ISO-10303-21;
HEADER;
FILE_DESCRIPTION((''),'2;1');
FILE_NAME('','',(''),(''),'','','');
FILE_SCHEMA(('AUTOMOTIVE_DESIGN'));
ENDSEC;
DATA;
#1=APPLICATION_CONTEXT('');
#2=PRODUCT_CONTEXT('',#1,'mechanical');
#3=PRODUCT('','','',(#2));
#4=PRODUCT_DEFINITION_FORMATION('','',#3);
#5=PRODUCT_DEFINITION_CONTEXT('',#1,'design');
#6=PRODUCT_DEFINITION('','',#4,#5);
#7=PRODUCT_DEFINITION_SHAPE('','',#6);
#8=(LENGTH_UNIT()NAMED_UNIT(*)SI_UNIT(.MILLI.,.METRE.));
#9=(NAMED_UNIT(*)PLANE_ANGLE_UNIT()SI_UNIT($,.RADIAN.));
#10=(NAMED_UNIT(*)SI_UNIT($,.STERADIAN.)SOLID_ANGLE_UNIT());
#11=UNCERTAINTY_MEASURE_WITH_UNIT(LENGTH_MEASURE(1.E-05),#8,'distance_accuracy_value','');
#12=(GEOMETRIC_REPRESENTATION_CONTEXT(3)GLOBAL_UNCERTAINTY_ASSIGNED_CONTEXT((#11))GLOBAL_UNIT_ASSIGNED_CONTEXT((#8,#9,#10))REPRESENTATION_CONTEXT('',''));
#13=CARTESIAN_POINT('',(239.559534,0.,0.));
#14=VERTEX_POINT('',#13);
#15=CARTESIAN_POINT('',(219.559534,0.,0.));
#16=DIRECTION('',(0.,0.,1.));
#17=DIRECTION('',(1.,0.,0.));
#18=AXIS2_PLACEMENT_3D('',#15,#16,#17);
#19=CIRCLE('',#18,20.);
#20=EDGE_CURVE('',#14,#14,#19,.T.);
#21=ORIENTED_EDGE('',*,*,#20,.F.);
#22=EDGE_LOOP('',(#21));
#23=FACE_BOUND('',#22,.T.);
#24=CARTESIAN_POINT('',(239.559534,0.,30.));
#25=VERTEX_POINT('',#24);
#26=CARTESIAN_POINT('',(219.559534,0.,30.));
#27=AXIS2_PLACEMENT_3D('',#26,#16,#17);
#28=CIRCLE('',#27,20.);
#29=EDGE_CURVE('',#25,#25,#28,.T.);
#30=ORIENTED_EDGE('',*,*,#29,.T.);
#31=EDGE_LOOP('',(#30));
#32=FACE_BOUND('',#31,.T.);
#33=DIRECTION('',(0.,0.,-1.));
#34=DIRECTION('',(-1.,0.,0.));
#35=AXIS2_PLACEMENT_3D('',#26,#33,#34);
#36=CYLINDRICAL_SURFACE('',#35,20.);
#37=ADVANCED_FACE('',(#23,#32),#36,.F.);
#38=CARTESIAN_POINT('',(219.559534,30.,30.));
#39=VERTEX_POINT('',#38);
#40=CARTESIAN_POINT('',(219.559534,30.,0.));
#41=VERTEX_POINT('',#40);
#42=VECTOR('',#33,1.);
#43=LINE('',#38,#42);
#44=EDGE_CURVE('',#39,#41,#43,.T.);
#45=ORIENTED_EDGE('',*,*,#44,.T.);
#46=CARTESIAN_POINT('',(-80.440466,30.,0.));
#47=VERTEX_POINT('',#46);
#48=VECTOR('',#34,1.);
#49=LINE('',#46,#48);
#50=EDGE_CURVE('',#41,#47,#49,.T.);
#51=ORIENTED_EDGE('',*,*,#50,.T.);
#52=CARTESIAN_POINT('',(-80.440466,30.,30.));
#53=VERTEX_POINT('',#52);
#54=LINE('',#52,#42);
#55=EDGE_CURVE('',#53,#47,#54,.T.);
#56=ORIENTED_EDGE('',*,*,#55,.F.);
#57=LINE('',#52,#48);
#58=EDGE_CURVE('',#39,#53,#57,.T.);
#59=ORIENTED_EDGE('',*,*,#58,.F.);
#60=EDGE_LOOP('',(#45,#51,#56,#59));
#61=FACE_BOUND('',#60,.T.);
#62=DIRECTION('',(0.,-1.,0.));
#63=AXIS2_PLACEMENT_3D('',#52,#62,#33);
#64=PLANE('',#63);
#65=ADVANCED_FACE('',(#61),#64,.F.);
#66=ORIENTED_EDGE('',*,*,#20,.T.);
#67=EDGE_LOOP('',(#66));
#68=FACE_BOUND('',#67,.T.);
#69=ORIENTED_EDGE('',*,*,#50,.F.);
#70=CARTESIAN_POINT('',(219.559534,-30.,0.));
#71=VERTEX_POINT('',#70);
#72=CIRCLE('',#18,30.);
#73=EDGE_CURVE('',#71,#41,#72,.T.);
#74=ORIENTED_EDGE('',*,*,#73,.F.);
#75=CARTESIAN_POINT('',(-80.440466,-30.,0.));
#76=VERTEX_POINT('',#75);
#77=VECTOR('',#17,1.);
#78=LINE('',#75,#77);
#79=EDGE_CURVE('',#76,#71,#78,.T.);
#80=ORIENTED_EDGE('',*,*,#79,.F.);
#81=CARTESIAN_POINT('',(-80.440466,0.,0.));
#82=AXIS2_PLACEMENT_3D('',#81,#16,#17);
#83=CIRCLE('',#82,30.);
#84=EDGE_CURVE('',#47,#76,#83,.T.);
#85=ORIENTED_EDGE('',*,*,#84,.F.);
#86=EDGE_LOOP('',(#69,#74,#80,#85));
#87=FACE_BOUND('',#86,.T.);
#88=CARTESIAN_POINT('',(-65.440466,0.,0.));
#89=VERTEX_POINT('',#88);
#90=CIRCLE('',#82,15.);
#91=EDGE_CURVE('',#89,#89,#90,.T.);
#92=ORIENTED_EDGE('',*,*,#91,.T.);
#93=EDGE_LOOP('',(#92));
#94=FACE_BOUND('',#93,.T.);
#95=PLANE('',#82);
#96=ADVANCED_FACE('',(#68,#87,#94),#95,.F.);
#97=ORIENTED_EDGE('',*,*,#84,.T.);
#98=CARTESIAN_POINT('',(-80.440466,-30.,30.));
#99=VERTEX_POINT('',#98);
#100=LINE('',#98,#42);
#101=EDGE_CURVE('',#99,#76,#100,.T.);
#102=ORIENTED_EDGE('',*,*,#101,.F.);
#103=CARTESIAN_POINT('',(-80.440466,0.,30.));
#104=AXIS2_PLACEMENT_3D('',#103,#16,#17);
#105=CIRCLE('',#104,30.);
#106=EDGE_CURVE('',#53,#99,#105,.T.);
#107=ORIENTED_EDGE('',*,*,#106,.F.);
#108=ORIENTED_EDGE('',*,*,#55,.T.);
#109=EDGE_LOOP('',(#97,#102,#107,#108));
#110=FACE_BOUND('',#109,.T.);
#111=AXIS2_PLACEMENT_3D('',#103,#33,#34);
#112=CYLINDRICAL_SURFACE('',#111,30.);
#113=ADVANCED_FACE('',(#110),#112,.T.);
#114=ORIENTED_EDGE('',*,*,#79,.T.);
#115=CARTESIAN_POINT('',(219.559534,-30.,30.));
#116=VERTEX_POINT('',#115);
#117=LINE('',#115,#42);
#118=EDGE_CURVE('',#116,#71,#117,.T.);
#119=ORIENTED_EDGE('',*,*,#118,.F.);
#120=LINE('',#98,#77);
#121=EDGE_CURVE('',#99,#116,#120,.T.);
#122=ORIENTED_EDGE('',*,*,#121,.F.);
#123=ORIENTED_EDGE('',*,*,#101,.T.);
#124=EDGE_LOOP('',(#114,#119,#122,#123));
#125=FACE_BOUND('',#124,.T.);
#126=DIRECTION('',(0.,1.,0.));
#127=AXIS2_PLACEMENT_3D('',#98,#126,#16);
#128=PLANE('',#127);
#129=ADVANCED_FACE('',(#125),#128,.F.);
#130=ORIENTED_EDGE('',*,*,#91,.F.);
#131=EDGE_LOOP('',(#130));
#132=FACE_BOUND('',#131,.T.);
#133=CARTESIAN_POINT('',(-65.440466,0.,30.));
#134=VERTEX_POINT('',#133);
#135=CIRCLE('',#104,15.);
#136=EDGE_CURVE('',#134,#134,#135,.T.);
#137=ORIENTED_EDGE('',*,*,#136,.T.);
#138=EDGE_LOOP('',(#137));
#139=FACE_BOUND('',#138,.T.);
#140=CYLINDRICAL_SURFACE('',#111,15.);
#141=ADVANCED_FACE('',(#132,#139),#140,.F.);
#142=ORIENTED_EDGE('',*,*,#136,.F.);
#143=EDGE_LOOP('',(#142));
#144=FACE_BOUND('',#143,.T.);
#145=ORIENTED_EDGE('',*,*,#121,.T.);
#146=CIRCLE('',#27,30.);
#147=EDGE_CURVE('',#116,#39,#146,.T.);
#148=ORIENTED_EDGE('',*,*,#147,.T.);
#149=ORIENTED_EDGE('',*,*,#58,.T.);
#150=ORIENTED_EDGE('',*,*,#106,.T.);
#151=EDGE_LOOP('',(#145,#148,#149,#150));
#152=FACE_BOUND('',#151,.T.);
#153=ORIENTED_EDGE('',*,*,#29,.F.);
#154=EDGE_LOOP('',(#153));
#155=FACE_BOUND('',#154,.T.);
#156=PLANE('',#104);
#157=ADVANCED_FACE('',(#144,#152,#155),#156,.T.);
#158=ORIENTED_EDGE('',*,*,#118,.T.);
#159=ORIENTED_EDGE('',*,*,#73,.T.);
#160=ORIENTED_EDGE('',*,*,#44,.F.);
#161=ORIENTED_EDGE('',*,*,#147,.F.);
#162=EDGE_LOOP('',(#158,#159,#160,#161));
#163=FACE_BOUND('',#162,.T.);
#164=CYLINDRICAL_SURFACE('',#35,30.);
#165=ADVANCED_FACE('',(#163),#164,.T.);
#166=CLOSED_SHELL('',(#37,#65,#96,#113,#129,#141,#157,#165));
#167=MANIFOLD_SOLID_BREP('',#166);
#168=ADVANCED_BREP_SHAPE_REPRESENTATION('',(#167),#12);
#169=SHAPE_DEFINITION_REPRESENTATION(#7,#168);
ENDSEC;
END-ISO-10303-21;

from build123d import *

# Parameters (mm, degrees)
SKETCH_1_R      = 15
SKETCH_1_R_2    = 20
EXTRUDE_1_DEPTH = 30


with BuildPart() as part:
    # 草图1 → 凸台-拉伸1 (new body)
    with BuildSketch(Plane.XY):
        with BuildLine():
            Line((-80.440466256, 30), (219.559533744, 30))
            ThreePointArc((219.559533744, 30), (249.559533744, 0), (219.559533744, -30))
            Line((219.559533744, -30), (-80.440466256, -30))
            ThreePointArc((-80.440466256, -30), (-110.440466256, 0), (-80.440466256, 30))
        make_face()
        with Locations((-80.440466256, 0)):
            Circle(SKETCH_1_R, mode=Mode.SUBTRACT)
        with Locations((219.559533744, 0)):
            Circle(SKETCH_1_R_2, mode=Mode.SUBTRACT)
    extrude(amount=EXTRUDE_1_DEPTH)


solid = part.part
